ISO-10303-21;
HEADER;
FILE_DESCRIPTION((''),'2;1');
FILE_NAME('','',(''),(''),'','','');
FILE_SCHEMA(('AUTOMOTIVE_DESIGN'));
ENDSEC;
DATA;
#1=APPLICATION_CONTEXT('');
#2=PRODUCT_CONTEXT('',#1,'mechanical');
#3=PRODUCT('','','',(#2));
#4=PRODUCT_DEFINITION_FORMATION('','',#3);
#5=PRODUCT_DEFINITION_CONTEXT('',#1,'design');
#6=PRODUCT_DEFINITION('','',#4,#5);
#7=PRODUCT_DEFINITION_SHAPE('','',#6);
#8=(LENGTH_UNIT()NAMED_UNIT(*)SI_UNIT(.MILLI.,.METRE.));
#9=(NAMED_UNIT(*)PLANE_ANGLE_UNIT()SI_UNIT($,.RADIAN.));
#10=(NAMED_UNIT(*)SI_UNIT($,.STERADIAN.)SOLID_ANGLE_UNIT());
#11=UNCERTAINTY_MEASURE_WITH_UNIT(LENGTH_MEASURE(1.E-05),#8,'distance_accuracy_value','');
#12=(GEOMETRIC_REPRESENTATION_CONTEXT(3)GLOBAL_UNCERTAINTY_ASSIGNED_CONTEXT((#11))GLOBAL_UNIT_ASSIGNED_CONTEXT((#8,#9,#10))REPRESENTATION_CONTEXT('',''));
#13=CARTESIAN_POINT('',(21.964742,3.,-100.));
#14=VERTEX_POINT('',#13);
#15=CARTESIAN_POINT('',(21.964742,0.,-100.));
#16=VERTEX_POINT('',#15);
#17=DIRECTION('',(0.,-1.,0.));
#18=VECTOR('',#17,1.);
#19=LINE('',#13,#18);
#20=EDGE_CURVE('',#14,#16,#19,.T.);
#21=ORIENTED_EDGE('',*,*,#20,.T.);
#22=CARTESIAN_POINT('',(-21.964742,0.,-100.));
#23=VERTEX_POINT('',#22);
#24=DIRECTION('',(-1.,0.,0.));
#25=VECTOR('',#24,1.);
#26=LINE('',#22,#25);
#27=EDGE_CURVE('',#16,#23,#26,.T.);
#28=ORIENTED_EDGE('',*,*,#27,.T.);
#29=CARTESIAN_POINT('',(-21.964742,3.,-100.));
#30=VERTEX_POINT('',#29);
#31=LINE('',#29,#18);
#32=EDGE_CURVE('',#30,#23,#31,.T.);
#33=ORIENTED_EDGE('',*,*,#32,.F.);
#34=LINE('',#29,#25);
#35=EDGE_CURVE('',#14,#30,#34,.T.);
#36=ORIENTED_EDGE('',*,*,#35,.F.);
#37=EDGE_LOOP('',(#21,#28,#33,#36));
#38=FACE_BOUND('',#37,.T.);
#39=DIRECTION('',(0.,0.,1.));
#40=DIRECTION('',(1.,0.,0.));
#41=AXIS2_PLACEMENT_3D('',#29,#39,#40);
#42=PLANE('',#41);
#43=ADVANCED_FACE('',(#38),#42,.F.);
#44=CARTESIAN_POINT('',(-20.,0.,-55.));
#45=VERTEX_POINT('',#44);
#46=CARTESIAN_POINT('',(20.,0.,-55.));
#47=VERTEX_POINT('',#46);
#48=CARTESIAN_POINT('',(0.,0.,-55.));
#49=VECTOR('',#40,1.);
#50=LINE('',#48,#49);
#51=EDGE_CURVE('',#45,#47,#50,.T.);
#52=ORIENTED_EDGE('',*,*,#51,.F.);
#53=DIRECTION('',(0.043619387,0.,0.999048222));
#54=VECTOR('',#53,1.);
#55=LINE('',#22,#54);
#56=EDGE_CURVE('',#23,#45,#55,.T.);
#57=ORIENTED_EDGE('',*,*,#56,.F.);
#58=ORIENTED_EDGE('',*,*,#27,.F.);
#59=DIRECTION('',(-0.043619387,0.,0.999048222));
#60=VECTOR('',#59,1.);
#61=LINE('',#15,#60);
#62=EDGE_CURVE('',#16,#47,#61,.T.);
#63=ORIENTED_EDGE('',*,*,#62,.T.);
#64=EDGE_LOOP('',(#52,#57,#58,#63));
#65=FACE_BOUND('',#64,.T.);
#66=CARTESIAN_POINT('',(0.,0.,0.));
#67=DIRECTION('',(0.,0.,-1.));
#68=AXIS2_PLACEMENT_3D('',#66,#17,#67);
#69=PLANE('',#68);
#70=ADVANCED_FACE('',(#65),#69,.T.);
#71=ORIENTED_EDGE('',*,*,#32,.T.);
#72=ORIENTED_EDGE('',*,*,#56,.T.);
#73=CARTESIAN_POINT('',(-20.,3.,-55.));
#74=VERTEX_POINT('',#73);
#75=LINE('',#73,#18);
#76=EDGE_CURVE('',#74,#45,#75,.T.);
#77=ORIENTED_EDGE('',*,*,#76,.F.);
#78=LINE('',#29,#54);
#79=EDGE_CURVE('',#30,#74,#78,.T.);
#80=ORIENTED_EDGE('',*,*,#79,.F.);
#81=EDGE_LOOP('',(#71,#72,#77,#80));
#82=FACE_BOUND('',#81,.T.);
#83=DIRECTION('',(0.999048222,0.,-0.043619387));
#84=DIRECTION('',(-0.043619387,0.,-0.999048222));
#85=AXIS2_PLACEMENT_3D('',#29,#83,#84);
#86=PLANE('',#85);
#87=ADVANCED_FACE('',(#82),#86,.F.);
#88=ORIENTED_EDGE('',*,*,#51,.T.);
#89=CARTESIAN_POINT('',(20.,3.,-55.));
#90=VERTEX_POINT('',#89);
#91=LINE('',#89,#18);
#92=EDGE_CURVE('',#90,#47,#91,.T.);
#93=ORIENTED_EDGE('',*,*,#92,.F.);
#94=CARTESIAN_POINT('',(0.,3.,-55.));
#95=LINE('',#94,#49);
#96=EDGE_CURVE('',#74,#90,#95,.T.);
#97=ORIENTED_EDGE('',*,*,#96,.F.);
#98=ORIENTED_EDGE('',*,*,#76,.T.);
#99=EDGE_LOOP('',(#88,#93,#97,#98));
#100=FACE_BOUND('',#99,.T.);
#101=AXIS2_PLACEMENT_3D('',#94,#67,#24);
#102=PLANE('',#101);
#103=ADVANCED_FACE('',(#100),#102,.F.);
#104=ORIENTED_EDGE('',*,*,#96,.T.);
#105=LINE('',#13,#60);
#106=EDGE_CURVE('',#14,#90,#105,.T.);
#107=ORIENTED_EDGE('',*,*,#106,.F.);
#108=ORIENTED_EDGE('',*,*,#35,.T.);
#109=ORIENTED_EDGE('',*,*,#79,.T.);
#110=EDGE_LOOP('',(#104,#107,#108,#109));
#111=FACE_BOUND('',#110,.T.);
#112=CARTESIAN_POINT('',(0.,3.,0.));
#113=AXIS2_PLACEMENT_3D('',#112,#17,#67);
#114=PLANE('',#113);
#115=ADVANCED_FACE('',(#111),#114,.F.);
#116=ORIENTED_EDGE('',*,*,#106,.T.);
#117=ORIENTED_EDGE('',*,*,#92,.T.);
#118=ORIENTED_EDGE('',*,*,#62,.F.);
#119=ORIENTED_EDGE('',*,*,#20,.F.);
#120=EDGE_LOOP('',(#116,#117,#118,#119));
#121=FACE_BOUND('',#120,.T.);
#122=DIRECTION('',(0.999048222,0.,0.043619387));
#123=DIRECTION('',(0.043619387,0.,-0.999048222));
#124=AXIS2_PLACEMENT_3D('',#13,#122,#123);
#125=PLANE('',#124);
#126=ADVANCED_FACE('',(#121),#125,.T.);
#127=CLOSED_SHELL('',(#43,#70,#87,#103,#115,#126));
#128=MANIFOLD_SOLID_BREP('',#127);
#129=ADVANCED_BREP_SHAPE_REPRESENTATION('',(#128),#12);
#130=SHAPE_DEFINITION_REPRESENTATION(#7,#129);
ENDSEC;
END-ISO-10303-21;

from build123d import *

# Parameters (mm, degrees)
BOSS_EXTRUDE1_DEPTH = 3


with BuildPart() as part:
    # Sketch1 → Boss-Extrude1 (new body)
    with BuildSketch(Plane(origin=(0, 0, 0), x_dir=(1, 0, 0), z_dir=(0, 1, 0))):
        Polygon((-21.964742431, 100), (-20, 55), (0, 55), (0, 100), align=None)
    boss_extrude1 = extrude(amount=BOSS_EXTRUDE1_DEPTH)

    # Mirror2: Boss-Extrude1 across plane
    add(boss_extrude1.mirror(Plane(origin=(0, 0, 0), x_dir=(0, 0, 1), z_dir=(1, 0, 0))))


solid = part.part
